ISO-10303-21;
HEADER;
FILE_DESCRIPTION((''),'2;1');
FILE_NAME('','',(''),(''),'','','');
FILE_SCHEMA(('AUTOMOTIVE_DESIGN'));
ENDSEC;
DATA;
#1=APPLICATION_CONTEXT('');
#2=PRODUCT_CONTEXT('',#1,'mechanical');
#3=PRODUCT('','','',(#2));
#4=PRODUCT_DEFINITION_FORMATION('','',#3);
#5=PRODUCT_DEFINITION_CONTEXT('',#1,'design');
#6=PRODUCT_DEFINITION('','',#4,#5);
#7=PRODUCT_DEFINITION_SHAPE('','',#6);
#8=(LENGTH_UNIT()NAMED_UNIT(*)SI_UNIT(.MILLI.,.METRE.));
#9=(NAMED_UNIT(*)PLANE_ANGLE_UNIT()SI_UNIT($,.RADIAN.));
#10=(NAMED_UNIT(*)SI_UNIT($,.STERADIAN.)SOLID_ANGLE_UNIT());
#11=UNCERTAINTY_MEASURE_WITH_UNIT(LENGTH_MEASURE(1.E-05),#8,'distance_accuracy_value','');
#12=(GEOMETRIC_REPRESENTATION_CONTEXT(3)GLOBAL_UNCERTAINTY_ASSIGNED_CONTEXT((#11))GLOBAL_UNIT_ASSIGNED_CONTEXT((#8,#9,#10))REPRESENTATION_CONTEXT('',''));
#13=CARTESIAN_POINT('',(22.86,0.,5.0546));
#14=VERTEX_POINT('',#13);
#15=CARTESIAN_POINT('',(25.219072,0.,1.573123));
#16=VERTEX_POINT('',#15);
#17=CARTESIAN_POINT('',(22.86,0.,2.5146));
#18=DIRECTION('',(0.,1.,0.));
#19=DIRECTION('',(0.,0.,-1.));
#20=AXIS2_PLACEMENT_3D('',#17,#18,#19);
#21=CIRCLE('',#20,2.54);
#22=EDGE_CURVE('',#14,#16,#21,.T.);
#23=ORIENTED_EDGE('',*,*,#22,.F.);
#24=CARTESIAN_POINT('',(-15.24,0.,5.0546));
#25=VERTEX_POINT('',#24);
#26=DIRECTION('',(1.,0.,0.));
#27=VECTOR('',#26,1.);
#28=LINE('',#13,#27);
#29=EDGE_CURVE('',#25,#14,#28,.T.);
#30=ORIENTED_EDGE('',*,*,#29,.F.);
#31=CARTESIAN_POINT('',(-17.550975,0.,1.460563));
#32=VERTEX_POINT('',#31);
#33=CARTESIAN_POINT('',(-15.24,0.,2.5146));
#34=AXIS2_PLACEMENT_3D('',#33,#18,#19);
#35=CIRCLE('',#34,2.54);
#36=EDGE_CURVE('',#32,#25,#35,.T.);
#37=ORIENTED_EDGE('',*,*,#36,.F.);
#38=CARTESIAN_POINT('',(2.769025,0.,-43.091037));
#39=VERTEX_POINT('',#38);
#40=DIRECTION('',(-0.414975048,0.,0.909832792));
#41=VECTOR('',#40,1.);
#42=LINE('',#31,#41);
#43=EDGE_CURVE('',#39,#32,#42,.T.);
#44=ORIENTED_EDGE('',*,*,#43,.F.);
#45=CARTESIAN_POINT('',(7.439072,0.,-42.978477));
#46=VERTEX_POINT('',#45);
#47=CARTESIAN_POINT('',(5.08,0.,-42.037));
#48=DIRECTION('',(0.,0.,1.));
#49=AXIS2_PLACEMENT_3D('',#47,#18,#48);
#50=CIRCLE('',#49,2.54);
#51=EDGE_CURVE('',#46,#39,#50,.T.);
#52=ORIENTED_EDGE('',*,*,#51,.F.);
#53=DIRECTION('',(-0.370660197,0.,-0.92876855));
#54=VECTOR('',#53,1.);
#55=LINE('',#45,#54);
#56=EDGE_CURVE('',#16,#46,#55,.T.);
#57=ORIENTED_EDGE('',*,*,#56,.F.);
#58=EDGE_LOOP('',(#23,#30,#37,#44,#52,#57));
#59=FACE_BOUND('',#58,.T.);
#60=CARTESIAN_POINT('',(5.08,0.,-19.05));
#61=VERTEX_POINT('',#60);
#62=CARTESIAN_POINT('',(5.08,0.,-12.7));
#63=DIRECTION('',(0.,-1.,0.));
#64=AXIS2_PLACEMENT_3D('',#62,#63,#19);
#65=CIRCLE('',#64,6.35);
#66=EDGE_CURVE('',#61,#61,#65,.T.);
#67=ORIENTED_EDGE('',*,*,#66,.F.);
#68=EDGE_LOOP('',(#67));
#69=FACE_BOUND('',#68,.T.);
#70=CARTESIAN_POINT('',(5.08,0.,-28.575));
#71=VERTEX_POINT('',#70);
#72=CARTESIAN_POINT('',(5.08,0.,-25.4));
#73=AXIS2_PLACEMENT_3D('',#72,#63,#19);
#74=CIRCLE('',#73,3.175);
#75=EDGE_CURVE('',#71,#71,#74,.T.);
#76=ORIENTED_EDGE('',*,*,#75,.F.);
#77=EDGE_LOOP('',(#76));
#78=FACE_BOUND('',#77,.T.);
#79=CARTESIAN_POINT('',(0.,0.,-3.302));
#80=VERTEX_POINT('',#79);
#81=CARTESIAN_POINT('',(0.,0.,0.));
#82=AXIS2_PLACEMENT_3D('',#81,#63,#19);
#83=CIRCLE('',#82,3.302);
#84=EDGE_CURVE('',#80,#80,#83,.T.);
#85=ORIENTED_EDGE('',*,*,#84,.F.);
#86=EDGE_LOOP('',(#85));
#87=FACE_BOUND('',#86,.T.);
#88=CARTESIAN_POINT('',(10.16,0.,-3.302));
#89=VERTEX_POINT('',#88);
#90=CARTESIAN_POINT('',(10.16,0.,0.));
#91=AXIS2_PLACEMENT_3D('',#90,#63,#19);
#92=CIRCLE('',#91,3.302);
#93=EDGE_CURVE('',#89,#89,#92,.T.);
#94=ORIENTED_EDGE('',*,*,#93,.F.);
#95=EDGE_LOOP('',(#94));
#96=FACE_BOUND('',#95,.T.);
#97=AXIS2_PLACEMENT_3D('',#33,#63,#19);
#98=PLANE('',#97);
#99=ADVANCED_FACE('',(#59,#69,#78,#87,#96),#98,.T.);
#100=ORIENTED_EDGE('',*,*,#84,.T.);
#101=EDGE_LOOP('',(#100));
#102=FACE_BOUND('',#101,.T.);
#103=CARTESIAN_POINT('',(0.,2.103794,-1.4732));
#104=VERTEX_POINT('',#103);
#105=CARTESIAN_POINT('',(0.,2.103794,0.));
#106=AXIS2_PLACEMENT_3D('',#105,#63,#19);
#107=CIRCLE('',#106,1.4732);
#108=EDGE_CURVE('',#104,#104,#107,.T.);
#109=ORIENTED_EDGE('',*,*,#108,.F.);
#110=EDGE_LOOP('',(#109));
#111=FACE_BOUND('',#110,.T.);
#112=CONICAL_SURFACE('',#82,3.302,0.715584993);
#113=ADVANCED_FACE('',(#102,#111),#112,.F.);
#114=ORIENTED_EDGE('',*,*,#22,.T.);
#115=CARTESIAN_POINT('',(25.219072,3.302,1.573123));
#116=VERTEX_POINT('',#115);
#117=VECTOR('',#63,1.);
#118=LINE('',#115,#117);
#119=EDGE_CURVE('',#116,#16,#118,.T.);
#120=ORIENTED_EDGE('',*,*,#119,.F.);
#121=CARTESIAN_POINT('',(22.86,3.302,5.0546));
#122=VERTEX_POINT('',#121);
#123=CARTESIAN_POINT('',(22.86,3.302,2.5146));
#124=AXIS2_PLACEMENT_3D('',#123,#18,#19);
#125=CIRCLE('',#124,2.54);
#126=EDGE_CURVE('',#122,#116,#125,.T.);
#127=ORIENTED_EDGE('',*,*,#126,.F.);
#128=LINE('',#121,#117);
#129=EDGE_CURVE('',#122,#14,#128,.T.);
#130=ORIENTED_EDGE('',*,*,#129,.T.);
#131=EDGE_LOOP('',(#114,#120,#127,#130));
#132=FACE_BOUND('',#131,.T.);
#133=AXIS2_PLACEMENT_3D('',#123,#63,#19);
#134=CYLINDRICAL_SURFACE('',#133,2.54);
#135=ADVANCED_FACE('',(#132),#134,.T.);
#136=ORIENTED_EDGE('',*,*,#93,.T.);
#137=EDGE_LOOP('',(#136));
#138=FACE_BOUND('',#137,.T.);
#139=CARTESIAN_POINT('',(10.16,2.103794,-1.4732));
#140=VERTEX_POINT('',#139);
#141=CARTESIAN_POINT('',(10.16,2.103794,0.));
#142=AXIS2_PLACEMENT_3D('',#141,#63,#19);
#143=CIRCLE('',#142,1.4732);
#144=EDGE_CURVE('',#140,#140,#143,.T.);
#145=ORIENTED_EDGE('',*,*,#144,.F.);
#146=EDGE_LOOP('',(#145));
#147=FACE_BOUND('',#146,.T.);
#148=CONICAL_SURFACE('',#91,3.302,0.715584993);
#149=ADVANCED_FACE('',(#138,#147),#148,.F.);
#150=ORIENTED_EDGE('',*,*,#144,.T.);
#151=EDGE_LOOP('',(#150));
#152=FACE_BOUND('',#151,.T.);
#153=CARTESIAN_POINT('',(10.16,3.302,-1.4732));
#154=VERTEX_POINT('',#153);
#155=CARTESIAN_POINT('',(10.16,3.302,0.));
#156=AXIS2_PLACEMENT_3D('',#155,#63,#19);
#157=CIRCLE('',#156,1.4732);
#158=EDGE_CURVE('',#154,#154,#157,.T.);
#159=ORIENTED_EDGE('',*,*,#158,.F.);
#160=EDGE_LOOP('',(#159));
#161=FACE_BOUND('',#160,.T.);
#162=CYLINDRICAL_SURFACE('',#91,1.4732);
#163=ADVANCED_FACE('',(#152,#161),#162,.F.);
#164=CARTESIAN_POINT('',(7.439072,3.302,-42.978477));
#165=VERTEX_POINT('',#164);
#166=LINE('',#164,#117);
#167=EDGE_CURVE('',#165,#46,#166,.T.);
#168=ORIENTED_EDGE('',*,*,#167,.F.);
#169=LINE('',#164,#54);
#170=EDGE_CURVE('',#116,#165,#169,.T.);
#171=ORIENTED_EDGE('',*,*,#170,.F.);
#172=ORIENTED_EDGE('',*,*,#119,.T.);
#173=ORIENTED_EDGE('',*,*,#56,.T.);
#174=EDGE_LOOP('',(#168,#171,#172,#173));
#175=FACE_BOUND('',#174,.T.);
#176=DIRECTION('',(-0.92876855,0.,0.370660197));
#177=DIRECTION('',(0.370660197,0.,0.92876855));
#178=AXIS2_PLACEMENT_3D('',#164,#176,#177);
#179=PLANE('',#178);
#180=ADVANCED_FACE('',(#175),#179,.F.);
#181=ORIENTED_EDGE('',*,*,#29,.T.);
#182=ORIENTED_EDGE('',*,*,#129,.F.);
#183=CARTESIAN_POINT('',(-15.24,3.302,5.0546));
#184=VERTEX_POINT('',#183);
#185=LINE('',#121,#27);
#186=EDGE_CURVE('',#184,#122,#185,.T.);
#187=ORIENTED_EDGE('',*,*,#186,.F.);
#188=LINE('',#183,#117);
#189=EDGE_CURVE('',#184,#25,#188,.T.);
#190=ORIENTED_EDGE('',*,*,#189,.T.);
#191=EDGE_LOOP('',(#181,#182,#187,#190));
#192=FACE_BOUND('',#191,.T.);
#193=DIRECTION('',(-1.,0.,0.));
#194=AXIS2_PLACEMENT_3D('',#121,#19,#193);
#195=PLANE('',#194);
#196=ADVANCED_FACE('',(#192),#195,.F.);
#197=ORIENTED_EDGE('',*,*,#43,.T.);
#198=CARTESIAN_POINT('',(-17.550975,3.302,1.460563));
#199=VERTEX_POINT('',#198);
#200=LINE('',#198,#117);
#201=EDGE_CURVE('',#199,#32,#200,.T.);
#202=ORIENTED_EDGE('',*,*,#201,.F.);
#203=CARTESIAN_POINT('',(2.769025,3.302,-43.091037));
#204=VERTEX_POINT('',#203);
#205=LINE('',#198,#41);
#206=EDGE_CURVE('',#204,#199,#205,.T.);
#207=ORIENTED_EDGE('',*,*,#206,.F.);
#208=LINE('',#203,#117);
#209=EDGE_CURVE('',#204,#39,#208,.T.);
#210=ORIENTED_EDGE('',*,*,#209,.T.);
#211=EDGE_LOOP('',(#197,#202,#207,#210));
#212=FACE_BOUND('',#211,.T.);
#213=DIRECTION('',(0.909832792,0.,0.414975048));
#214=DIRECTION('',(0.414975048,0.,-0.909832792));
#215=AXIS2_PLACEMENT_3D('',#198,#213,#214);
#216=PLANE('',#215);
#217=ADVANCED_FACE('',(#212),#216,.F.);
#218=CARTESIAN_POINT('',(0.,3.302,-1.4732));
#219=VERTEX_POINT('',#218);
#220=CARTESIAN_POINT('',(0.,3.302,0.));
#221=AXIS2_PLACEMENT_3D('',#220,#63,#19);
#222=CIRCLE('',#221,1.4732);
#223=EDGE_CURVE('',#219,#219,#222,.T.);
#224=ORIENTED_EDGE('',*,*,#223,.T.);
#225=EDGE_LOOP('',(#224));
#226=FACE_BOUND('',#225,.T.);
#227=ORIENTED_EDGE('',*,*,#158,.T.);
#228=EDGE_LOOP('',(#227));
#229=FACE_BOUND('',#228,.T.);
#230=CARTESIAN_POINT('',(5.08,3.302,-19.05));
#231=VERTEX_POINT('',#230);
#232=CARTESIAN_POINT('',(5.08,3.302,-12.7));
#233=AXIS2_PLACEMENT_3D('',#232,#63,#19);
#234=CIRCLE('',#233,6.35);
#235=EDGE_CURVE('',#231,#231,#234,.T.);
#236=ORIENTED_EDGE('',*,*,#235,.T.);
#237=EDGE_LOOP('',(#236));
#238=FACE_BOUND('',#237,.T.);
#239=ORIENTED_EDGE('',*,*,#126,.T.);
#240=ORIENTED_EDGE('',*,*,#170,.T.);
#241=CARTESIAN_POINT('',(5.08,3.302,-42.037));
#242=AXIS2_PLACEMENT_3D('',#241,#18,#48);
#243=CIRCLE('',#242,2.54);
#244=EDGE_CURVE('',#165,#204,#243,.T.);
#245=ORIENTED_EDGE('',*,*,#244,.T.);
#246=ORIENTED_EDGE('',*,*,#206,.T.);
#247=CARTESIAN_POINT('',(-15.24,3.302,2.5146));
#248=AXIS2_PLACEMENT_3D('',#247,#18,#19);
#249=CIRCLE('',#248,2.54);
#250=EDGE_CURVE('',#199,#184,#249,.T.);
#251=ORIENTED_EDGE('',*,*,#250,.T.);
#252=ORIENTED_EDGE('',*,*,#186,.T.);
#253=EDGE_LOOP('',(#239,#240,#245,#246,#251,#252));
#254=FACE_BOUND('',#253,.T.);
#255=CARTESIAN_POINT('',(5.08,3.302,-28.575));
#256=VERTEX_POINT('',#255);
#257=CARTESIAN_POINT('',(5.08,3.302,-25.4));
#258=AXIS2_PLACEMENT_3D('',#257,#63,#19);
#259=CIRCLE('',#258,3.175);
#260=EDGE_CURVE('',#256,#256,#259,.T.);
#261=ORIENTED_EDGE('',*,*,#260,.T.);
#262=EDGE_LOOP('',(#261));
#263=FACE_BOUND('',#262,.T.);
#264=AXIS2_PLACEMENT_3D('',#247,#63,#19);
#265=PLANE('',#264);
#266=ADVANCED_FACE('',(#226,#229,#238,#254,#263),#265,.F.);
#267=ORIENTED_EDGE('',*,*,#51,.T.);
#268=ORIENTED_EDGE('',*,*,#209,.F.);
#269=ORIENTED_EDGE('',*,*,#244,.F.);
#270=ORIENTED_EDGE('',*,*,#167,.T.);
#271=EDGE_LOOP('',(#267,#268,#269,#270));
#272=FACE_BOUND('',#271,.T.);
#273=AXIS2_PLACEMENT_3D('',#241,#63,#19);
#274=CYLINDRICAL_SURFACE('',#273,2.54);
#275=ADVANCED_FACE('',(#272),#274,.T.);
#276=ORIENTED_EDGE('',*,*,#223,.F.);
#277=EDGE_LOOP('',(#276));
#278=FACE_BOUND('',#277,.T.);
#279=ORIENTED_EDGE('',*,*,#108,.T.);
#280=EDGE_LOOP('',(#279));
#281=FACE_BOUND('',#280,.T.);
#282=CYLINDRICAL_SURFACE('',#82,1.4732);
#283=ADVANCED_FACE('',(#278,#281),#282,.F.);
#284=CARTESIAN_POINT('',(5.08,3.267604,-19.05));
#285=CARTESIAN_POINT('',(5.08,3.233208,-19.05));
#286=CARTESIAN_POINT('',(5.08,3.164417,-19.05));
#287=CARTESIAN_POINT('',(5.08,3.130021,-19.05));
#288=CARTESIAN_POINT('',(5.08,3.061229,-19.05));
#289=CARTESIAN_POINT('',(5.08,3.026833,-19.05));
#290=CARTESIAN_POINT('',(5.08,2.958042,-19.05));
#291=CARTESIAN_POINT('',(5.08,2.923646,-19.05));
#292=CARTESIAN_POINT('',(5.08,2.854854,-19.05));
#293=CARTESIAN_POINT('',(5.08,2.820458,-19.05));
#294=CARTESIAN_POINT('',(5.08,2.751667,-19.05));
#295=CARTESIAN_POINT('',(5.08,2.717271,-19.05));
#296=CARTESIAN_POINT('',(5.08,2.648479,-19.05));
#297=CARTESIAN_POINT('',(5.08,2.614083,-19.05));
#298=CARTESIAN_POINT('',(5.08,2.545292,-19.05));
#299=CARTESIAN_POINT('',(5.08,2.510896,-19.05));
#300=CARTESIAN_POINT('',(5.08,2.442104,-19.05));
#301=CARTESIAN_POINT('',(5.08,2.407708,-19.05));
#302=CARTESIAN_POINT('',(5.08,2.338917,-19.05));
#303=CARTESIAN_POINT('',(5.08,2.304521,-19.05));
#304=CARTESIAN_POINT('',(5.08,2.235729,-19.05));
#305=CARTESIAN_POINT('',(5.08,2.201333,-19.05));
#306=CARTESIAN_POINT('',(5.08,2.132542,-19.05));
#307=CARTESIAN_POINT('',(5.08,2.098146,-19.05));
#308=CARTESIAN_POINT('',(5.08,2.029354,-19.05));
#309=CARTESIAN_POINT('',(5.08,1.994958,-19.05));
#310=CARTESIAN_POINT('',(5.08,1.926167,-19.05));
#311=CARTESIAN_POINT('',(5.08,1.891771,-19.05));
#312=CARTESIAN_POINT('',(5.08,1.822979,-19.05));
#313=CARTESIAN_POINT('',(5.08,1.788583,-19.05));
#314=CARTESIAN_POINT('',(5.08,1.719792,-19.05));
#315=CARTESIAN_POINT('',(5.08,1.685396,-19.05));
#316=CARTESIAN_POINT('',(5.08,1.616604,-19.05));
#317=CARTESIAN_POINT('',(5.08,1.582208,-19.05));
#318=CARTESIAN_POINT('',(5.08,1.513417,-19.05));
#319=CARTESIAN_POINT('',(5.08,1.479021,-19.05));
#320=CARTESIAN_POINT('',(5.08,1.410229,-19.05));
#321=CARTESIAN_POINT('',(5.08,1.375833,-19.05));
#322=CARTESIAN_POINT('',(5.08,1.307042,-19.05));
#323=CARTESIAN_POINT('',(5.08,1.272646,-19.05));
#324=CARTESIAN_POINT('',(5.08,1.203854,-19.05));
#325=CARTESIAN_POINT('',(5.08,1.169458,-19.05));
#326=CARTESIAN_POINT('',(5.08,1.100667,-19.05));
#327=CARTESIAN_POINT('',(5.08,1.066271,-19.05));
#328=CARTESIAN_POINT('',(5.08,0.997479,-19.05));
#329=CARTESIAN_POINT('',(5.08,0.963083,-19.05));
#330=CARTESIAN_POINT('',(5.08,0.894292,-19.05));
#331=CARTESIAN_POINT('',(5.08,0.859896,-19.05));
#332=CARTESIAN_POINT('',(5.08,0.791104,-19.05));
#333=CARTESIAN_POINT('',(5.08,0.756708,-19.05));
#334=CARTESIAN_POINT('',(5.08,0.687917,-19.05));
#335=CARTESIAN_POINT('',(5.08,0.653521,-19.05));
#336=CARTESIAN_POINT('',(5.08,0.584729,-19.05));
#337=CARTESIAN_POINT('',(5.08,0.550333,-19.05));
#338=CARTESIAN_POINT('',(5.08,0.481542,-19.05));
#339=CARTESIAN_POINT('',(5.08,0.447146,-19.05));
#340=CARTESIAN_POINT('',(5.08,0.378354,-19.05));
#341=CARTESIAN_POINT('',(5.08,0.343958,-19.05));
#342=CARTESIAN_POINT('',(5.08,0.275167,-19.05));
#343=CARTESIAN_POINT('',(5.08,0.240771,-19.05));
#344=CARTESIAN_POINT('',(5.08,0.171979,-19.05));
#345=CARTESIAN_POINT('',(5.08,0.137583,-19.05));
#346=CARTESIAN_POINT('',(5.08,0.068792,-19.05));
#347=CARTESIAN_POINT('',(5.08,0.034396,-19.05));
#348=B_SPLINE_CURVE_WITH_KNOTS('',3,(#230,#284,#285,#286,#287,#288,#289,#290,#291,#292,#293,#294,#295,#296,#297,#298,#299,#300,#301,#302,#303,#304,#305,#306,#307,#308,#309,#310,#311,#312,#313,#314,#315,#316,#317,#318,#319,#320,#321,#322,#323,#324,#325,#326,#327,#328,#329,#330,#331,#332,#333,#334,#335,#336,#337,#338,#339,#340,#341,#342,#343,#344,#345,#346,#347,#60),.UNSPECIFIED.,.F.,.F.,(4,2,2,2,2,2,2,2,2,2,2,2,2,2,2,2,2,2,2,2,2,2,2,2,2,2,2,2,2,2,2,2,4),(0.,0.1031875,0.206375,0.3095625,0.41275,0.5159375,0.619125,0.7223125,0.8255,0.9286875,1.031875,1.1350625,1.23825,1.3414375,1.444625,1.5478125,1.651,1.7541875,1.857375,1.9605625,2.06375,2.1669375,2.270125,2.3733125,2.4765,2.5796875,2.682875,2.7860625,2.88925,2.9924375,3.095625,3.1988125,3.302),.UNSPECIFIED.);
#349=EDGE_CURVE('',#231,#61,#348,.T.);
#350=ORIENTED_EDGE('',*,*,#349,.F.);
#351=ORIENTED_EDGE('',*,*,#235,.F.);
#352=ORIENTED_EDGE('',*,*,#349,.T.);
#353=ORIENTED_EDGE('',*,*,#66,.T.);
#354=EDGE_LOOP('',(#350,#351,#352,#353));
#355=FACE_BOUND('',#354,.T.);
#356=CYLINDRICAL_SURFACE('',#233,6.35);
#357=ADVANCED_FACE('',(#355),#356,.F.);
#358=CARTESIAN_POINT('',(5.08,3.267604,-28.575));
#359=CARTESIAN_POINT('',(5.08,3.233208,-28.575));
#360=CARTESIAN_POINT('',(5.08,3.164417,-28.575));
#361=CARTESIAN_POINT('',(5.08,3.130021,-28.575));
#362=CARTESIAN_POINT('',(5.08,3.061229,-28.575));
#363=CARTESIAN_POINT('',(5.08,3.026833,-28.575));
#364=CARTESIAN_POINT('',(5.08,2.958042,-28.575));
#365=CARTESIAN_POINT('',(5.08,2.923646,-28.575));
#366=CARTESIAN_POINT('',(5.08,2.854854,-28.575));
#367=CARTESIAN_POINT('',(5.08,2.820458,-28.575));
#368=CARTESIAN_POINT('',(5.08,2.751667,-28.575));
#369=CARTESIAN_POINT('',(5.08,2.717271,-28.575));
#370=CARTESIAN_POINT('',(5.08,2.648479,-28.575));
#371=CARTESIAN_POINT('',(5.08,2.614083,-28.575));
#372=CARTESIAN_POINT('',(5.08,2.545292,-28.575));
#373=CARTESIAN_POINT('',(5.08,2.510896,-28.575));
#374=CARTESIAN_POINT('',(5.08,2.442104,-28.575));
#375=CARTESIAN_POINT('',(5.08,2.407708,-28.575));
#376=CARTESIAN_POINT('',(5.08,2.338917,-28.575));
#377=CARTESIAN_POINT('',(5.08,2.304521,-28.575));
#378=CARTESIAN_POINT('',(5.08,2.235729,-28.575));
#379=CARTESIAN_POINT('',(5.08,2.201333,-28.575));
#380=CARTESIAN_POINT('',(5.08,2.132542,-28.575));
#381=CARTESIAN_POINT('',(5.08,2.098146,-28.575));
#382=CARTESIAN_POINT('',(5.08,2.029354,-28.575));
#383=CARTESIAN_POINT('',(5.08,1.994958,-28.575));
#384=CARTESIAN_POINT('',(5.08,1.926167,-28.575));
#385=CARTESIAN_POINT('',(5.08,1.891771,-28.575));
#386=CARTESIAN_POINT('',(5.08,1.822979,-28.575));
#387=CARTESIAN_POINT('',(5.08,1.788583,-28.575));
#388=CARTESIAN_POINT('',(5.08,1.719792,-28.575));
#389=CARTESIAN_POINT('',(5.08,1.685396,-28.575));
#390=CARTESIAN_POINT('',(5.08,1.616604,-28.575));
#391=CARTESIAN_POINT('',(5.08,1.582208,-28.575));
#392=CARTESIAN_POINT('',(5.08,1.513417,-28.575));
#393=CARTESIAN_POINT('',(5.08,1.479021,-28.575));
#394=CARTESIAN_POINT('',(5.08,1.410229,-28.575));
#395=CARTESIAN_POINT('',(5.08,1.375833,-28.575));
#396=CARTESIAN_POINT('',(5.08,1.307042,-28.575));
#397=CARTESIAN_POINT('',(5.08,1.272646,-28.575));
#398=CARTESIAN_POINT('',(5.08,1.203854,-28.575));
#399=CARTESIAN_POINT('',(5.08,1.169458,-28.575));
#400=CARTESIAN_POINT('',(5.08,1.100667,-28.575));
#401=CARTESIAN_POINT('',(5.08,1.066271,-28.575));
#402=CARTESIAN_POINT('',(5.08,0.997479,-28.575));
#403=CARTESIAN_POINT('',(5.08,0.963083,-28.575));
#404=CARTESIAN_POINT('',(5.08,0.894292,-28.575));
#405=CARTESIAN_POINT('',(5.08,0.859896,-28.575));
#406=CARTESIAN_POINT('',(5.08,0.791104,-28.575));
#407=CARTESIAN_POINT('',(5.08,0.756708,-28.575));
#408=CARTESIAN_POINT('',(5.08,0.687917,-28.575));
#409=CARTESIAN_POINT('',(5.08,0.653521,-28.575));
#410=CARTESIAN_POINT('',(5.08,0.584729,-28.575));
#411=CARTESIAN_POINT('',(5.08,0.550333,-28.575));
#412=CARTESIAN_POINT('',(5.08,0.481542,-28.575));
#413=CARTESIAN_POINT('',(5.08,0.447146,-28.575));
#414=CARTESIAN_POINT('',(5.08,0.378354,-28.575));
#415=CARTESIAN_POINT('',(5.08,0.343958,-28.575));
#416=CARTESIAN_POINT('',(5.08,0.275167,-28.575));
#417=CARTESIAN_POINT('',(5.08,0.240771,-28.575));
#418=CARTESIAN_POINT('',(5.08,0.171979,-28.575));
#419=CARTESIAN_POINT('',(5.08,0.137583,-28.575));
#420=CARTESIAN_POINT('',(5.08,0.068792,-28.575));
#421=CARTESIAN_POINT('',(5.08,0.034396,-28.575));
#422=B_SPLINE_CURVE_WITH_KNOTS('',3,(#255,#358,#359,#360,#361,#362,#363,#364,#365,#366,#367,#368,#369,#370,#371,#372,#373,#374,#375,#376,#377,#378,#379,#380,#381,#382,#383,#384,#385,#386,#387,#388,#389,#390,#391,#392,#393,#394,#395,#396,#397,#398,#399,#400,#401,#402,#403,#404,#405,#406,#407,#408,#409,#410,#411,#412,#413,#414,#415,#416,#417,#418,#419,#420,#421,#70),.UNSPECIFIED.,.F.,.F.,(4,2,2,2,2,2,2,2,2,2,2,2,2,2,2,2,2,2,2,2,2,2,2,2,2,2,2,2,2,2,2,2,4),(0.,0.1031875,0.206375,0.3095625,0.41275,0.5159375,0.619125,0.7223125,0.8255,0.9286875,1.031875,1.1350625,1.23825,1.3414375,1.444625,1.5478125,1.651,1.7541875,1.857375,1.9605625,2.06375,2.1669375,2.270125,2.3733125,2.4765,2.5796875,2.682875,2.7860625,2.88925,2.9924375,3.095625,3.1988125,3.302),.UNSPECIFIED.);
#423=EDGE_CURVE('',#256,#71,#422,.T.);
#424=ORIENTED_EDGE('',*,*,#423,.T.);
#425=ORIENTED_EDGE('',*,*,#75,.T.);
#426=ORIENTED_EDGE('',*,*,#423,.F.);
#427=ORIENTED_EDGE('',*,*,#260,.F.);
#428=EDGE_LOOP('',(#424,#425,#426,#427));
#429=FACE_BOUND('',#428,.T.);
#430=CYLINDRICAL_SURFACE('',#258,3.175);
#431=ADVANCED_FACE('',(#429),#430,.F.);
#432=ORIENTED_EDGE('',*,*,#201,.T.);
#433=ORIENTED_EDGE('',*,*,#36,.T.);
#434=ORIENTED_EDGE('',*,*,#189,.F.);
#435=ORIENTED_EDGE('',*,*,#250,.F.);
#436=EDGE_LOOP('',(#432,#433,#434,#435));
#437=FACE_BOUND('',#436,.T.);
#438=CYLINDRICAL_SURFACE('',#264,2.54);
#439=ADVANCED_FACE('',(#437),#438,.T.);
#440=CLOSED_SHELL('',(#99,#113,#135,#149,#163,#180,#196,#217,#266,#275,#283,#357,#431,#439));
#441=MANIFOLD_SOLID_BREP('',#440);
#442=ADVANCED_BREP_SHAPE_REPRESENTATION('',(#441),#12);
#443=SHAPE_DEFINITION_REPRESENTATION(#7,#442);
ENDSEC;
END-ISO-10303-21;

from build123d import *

# Parameters (mm, degrees)
SKETCH1_R                      = 1.1303
BOSS_EXTRUDE1_DEPTH            = 3.302
F_4_CLEARANCE_HOLE1_AT_2_COUNT = 2
F_4_CLEARANCE_HOLE1_AT_2_PITCH = 10.16
SKETCH17_R                     = 6.35
CUT_EXTRUDE1_DEPTH             = 52.411789825
SKETCH18_R                     = 3.175
CUT_EXTRUDE2_DEPTH             = 52.411789825


with BuildPart() as part:
    # Sketch1 → Boss-Extrude1 (new body)
    with BuildSketch(Plane(origin=(0, 0, 0), x_dir=(1, 0, 0), z_dir=(0, 1, 0))):
        with BuildLine():
            Line((7.439072116, 42.978476899), (25.219072116, -1.573123101))
            ThreePointArc((25.219072116, -1.573123101), (24.962730525, -3.939424318), (22.86, -5.0546))
            Line((22.86, -5.0546), (-15.24, -5.0546))
            ThreePointArc((-15.24, -5.0546), (-17.37645185, -3.888344332), (-17.550975292, -1.460563379))
            Line((-17.550975292, -1.460563379), (2.769024708, 43.091036621))
            ThreePointArc((2.769024708, 43.091036621), (5.141202523, 44.576262541), (7.439072116, 42.978476899))
        make_face()
        with Locations(Location((0, 0, 0), (0, 0, 90))):
            Circle(SKETCH1_R, mode=Mode.SUBTRACT)
        with Locations(Location((10.16, 0, 0), (0, 0, 90))):
            Circle(SKETCH1_R, mode=Mode.SUBTRACT)
    extrude(amount=BOSS_EXTRUDE1_DEPTH)

    # Sketch16 → #4 Clearance Hole1 (revolve, cut)
    with BuildSketch(Plane(origin=(0, 0, 0), x_dir=(0, 0, -1), z_dir=(1, 0, 0))):
        Polygon((0, 0), (0, 3.302), (1.4732, 3.302), (1.4732, 2.103793743), (3.302, 0), align=None)
    f_4_clearance_hole1 = revolve(axis=Axis((0, -6.35, 0), (0, 1, 0)), mode=Mode.SUBTRACT)

    # #4 Clearance Hole1 at 2: #4 Clearance Hole1 ×2
    with Locations(*[(i * F_4_CLEARANCE_HOLE1_AT_2_PITCH, 0, 0) for i in range(1, F_4_CLEARANCE_HOLE1_AT_2_COUNT)]):
        add(f_4_clearance_hole1, mode=Mode.SUBTRACT)

    # Sketch17 → Cut-Extrude1 (cut, through all)
    with BuildSketch(Plane.XZ):
        with Locations(Location((5.08, -12.7, 0), (0, 0, 270))):
            Circle(SKETCH17_R)
    extrude(amount=-CUT_EXTRUDE1_DEPTH, mode=Mode.SUBTRACT)

    # Sketch18 → Cut-Extrude2 (cut, through all)
    with BuildSketch(Plane.XZ):
        with Locations(Location((5.08, -25.4, 0), (0, 0, 270))):
            Circle(SKETCH18_R)
    extrude(amount=-CUT_EXTRUDE2_DEPTH, mode=Mode.SUBTRACT)


solid = part.part
